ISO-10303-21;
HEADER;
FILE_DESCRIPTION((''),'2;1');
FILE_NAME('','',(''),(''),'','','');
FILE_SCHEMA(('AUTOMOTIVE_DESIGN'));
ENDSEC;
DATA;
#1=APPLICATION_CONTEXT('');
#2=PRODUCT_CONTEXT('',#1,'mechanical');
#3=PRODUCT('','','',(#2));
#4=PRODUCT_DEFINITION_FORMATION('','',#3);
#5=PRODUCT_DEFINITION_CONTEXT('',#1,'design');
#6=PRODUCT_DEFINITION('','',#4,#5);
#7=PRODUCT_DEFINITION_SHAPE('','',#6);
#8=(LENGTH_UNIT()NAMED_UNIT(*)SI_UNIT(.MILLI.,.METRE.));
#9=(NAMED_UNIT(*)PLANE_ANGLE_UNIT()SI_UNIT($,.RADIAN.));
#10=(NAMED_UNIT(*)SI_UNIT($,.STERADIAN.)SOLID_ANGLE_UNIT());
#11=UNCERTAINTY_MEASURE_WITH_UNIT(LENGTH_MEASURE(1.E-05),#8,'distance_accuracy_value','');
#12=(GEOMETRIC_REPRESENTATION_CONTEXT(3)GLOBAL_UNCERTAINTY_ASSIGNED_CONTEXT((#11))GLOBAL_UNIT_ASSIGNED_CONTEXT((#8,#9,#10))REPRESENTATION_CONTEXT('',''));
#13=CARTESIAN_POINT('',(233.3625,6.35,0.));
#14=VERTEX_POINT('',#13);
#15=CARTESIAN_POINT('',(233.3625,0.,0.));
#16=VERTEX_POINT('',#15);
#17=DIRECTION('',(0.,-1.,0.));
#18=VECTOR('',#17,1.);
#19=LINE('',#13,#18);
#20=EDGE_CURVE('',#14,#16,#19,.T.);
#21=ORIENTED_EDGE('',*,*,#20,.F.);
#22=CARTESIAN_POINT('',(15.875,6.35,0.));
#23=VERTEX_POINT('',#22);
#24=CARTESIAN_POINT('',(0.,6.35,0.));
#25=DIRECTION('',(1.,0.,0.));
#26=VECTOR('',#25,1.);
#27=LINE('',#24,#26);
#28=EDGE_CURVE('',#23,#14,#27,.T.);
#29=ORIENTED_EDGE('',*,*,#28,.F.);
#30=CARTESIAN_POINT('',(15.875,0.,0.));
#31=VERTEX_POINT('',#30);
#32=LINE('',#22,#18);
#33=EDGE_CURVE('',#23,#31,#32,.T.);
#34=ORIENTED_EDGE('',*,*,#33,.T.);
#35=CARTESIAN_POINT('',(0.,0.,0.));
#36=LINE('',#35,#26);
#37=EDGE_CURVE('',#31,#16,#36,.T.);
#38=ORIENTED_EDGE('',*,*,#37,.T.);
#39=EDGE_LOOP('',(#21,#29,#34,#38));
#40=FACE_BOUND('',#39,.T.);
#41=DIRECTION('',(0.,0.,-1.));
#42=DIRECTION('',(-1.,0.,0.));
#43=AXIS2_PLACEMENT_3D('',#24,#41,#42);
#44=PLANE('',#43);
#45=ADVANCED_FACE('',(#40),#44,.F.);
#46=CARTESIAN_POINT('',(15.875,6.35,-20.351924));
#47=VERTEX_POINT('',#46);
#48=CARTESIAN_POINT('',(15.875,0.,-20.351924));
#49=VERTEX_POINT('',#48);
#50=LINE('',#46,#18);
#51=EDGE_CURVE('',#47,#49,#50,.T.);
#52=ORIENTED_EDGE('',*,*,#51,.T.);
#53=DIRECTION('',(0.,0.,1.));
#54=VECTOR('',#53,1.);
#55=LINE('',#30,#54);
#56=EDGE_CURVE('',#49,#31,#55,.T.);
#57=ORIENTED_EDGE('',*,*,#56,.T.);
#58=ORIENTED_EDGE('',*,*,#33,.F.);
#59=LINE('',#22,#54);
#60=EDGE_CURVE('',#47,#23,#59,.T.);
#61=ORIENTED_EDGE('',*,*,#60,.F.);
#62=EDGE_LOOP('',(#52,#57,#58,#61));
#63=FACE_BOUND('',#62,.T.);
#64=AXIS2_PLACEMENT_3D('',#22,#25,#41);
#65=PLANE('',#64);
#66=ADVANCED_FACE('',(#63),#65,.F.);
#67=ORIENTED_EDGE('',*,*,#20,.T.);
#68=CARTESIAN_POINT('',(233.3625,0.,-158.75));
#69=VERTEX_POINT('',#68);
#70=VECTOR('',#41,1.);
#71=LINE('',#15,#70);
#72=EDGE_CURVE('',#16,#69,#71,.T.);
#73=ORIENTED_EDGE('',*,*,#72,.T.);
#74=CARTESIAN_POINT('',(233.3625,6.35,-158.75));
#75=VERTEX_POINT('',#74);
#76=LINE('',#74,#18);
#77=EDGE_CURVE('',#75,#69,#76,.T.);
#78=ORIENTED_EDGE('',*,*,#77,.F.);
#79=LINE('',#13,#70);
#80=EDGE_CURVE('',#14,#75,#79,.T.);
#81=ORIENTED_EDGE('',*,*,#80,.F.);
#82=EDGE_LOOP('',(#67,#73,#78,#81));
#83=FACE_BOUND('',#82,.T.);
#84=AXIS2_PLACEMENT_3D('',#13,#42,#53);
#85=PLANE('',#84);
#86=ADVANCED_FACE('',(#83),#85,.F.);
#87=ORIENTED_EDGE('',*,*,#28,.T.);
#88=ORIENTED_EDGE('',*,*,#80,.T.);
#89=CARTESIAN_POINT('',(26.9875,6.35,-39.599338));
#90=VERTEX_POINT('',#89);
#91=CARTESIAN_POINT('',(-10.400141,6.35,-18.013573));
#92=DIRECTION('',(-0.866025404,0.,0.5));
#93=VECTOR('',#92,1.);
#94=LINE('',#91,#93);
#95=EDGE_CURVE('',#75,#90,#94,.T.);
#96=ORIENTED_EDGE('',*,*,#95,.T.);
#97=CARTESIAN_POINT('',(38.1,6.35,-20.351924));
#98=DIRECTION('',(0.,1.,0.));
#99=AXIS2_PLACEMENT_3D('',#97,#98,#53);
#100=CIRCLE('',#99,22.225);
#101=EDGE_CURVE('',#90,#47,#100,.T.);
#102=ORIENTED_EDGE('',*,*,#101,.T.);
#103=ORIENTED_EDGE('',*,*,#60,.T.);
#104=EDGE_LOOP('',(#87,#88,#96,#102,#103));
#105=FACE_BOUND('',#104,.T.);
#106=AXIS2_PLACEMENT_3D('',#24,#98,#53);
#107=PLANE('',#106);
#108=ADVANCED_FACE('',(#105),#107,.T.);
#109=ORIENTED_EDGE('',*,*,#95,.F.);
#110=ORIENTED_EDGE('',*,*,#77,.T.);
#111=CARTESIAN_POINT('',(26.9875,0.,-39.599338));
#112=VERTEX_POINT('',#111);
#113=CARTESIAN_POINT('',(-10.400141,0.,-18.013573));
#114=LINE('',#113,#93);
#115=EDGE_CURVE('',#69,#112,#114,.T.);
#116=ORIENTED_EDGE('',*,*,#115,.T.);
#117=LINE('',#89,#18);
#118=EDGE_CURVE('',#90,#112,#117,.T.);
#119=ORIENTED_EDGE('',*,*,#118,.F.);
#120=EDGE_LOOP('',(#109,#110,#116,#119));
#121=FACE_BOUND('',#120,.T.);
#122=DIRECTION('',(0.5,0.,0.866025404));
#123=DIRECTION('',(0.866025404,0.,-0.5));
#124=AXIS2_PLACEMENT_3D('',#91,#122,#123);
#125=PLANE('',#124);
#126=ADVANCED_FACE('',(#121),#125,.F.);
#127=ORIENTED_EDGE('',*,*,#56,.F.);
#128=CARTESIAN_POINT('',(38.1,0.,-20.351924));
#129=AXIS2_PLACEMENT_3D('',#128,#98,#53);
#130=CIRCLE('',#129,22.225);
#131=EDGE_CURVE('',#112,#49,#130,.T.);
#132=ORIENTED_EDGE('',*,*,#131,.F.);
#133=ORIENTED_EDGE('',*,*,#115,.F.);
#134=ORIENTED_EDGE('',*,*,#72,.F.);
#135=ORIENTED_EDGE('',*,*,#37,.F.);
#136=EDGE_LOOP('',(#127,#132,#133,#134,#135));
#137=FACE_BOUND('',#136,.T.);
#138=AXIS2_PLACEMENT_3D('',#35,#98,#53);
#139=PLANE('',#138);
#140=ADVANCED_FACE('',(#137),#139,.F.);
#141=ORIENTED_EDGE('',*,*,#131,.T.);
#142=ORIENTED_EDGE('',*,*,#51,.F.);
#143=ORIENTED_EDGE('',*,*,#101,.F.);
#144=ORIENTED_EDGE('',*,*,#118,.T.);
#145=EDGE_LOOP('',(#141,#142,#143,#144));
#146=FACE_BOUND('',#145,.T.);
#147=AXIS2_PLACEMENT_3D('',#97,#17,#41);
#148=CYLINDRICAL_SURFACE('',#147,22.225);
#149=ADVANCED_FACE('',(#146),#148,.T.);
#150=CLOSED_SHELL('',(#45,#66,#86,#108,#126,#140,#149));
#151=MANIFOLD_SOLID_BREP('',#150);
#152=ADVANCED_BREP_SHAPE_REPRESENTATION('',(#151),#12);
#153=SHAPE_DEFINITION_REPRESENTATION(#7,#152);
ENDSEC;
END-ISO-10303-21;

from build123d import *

# Parameters (mm, degrees)
BOSS_EXTRUDE1_DEPTH   = 6.35
BOSS_EXTRUDE1_2_DEPTH = 6.35


with BuildPart() as part:
    # Sketch1 → Boss-Extrude1 (new body)
    with BuildSketch(Plane(origin=(0, 0, 0), x_dir=(1, 0, 0), z_dir=(0, 1, 0))):
        with BuildLine():
            ThreePointArc((-26.9875, 39.599338196), (-18.852585401, 31.464423597), (-15.875, 20.351923597))
            Line((-15.875, 20.351923597), (-15.875, 0))
            Line((-15.875, 0), (-233.3625, 0))
            Line((-233.3625, 0), (-233.3625, 158.75))
            Line((-233.3625, 158.75), (-26.9875, 39.599338196))
        make_face()
    extrude(amount=BOSS_EXTRUDE1_DEPTH)


with BuildPart() as body_2:
    # Sketch1 → Boss-Extrude1 2 (new body)
    with BuildSketch(Plane(origin=(0, 0, 0), x_dir=(1, 0, 0), z_dir=(0, 1, 0))):
        with BuildLine():
            Line((233.3625, 158.75), (26.9875, 39.599338196))
            ThreePointArc((26.9875, 39.599338196), (18.852585401, 31.464423597), (15.875, 20.351923597))
            Line((15.875, 20.351923597), (15.875, 0))
            Line((15.875, 0), (233.3625, 0))
            Line((233.3625, 0), (233.3625, 158.75))
        make_face()
    extrude(amount=BOSS_EXTRUDE1_2_DEPTH)


solid = body_2.part
